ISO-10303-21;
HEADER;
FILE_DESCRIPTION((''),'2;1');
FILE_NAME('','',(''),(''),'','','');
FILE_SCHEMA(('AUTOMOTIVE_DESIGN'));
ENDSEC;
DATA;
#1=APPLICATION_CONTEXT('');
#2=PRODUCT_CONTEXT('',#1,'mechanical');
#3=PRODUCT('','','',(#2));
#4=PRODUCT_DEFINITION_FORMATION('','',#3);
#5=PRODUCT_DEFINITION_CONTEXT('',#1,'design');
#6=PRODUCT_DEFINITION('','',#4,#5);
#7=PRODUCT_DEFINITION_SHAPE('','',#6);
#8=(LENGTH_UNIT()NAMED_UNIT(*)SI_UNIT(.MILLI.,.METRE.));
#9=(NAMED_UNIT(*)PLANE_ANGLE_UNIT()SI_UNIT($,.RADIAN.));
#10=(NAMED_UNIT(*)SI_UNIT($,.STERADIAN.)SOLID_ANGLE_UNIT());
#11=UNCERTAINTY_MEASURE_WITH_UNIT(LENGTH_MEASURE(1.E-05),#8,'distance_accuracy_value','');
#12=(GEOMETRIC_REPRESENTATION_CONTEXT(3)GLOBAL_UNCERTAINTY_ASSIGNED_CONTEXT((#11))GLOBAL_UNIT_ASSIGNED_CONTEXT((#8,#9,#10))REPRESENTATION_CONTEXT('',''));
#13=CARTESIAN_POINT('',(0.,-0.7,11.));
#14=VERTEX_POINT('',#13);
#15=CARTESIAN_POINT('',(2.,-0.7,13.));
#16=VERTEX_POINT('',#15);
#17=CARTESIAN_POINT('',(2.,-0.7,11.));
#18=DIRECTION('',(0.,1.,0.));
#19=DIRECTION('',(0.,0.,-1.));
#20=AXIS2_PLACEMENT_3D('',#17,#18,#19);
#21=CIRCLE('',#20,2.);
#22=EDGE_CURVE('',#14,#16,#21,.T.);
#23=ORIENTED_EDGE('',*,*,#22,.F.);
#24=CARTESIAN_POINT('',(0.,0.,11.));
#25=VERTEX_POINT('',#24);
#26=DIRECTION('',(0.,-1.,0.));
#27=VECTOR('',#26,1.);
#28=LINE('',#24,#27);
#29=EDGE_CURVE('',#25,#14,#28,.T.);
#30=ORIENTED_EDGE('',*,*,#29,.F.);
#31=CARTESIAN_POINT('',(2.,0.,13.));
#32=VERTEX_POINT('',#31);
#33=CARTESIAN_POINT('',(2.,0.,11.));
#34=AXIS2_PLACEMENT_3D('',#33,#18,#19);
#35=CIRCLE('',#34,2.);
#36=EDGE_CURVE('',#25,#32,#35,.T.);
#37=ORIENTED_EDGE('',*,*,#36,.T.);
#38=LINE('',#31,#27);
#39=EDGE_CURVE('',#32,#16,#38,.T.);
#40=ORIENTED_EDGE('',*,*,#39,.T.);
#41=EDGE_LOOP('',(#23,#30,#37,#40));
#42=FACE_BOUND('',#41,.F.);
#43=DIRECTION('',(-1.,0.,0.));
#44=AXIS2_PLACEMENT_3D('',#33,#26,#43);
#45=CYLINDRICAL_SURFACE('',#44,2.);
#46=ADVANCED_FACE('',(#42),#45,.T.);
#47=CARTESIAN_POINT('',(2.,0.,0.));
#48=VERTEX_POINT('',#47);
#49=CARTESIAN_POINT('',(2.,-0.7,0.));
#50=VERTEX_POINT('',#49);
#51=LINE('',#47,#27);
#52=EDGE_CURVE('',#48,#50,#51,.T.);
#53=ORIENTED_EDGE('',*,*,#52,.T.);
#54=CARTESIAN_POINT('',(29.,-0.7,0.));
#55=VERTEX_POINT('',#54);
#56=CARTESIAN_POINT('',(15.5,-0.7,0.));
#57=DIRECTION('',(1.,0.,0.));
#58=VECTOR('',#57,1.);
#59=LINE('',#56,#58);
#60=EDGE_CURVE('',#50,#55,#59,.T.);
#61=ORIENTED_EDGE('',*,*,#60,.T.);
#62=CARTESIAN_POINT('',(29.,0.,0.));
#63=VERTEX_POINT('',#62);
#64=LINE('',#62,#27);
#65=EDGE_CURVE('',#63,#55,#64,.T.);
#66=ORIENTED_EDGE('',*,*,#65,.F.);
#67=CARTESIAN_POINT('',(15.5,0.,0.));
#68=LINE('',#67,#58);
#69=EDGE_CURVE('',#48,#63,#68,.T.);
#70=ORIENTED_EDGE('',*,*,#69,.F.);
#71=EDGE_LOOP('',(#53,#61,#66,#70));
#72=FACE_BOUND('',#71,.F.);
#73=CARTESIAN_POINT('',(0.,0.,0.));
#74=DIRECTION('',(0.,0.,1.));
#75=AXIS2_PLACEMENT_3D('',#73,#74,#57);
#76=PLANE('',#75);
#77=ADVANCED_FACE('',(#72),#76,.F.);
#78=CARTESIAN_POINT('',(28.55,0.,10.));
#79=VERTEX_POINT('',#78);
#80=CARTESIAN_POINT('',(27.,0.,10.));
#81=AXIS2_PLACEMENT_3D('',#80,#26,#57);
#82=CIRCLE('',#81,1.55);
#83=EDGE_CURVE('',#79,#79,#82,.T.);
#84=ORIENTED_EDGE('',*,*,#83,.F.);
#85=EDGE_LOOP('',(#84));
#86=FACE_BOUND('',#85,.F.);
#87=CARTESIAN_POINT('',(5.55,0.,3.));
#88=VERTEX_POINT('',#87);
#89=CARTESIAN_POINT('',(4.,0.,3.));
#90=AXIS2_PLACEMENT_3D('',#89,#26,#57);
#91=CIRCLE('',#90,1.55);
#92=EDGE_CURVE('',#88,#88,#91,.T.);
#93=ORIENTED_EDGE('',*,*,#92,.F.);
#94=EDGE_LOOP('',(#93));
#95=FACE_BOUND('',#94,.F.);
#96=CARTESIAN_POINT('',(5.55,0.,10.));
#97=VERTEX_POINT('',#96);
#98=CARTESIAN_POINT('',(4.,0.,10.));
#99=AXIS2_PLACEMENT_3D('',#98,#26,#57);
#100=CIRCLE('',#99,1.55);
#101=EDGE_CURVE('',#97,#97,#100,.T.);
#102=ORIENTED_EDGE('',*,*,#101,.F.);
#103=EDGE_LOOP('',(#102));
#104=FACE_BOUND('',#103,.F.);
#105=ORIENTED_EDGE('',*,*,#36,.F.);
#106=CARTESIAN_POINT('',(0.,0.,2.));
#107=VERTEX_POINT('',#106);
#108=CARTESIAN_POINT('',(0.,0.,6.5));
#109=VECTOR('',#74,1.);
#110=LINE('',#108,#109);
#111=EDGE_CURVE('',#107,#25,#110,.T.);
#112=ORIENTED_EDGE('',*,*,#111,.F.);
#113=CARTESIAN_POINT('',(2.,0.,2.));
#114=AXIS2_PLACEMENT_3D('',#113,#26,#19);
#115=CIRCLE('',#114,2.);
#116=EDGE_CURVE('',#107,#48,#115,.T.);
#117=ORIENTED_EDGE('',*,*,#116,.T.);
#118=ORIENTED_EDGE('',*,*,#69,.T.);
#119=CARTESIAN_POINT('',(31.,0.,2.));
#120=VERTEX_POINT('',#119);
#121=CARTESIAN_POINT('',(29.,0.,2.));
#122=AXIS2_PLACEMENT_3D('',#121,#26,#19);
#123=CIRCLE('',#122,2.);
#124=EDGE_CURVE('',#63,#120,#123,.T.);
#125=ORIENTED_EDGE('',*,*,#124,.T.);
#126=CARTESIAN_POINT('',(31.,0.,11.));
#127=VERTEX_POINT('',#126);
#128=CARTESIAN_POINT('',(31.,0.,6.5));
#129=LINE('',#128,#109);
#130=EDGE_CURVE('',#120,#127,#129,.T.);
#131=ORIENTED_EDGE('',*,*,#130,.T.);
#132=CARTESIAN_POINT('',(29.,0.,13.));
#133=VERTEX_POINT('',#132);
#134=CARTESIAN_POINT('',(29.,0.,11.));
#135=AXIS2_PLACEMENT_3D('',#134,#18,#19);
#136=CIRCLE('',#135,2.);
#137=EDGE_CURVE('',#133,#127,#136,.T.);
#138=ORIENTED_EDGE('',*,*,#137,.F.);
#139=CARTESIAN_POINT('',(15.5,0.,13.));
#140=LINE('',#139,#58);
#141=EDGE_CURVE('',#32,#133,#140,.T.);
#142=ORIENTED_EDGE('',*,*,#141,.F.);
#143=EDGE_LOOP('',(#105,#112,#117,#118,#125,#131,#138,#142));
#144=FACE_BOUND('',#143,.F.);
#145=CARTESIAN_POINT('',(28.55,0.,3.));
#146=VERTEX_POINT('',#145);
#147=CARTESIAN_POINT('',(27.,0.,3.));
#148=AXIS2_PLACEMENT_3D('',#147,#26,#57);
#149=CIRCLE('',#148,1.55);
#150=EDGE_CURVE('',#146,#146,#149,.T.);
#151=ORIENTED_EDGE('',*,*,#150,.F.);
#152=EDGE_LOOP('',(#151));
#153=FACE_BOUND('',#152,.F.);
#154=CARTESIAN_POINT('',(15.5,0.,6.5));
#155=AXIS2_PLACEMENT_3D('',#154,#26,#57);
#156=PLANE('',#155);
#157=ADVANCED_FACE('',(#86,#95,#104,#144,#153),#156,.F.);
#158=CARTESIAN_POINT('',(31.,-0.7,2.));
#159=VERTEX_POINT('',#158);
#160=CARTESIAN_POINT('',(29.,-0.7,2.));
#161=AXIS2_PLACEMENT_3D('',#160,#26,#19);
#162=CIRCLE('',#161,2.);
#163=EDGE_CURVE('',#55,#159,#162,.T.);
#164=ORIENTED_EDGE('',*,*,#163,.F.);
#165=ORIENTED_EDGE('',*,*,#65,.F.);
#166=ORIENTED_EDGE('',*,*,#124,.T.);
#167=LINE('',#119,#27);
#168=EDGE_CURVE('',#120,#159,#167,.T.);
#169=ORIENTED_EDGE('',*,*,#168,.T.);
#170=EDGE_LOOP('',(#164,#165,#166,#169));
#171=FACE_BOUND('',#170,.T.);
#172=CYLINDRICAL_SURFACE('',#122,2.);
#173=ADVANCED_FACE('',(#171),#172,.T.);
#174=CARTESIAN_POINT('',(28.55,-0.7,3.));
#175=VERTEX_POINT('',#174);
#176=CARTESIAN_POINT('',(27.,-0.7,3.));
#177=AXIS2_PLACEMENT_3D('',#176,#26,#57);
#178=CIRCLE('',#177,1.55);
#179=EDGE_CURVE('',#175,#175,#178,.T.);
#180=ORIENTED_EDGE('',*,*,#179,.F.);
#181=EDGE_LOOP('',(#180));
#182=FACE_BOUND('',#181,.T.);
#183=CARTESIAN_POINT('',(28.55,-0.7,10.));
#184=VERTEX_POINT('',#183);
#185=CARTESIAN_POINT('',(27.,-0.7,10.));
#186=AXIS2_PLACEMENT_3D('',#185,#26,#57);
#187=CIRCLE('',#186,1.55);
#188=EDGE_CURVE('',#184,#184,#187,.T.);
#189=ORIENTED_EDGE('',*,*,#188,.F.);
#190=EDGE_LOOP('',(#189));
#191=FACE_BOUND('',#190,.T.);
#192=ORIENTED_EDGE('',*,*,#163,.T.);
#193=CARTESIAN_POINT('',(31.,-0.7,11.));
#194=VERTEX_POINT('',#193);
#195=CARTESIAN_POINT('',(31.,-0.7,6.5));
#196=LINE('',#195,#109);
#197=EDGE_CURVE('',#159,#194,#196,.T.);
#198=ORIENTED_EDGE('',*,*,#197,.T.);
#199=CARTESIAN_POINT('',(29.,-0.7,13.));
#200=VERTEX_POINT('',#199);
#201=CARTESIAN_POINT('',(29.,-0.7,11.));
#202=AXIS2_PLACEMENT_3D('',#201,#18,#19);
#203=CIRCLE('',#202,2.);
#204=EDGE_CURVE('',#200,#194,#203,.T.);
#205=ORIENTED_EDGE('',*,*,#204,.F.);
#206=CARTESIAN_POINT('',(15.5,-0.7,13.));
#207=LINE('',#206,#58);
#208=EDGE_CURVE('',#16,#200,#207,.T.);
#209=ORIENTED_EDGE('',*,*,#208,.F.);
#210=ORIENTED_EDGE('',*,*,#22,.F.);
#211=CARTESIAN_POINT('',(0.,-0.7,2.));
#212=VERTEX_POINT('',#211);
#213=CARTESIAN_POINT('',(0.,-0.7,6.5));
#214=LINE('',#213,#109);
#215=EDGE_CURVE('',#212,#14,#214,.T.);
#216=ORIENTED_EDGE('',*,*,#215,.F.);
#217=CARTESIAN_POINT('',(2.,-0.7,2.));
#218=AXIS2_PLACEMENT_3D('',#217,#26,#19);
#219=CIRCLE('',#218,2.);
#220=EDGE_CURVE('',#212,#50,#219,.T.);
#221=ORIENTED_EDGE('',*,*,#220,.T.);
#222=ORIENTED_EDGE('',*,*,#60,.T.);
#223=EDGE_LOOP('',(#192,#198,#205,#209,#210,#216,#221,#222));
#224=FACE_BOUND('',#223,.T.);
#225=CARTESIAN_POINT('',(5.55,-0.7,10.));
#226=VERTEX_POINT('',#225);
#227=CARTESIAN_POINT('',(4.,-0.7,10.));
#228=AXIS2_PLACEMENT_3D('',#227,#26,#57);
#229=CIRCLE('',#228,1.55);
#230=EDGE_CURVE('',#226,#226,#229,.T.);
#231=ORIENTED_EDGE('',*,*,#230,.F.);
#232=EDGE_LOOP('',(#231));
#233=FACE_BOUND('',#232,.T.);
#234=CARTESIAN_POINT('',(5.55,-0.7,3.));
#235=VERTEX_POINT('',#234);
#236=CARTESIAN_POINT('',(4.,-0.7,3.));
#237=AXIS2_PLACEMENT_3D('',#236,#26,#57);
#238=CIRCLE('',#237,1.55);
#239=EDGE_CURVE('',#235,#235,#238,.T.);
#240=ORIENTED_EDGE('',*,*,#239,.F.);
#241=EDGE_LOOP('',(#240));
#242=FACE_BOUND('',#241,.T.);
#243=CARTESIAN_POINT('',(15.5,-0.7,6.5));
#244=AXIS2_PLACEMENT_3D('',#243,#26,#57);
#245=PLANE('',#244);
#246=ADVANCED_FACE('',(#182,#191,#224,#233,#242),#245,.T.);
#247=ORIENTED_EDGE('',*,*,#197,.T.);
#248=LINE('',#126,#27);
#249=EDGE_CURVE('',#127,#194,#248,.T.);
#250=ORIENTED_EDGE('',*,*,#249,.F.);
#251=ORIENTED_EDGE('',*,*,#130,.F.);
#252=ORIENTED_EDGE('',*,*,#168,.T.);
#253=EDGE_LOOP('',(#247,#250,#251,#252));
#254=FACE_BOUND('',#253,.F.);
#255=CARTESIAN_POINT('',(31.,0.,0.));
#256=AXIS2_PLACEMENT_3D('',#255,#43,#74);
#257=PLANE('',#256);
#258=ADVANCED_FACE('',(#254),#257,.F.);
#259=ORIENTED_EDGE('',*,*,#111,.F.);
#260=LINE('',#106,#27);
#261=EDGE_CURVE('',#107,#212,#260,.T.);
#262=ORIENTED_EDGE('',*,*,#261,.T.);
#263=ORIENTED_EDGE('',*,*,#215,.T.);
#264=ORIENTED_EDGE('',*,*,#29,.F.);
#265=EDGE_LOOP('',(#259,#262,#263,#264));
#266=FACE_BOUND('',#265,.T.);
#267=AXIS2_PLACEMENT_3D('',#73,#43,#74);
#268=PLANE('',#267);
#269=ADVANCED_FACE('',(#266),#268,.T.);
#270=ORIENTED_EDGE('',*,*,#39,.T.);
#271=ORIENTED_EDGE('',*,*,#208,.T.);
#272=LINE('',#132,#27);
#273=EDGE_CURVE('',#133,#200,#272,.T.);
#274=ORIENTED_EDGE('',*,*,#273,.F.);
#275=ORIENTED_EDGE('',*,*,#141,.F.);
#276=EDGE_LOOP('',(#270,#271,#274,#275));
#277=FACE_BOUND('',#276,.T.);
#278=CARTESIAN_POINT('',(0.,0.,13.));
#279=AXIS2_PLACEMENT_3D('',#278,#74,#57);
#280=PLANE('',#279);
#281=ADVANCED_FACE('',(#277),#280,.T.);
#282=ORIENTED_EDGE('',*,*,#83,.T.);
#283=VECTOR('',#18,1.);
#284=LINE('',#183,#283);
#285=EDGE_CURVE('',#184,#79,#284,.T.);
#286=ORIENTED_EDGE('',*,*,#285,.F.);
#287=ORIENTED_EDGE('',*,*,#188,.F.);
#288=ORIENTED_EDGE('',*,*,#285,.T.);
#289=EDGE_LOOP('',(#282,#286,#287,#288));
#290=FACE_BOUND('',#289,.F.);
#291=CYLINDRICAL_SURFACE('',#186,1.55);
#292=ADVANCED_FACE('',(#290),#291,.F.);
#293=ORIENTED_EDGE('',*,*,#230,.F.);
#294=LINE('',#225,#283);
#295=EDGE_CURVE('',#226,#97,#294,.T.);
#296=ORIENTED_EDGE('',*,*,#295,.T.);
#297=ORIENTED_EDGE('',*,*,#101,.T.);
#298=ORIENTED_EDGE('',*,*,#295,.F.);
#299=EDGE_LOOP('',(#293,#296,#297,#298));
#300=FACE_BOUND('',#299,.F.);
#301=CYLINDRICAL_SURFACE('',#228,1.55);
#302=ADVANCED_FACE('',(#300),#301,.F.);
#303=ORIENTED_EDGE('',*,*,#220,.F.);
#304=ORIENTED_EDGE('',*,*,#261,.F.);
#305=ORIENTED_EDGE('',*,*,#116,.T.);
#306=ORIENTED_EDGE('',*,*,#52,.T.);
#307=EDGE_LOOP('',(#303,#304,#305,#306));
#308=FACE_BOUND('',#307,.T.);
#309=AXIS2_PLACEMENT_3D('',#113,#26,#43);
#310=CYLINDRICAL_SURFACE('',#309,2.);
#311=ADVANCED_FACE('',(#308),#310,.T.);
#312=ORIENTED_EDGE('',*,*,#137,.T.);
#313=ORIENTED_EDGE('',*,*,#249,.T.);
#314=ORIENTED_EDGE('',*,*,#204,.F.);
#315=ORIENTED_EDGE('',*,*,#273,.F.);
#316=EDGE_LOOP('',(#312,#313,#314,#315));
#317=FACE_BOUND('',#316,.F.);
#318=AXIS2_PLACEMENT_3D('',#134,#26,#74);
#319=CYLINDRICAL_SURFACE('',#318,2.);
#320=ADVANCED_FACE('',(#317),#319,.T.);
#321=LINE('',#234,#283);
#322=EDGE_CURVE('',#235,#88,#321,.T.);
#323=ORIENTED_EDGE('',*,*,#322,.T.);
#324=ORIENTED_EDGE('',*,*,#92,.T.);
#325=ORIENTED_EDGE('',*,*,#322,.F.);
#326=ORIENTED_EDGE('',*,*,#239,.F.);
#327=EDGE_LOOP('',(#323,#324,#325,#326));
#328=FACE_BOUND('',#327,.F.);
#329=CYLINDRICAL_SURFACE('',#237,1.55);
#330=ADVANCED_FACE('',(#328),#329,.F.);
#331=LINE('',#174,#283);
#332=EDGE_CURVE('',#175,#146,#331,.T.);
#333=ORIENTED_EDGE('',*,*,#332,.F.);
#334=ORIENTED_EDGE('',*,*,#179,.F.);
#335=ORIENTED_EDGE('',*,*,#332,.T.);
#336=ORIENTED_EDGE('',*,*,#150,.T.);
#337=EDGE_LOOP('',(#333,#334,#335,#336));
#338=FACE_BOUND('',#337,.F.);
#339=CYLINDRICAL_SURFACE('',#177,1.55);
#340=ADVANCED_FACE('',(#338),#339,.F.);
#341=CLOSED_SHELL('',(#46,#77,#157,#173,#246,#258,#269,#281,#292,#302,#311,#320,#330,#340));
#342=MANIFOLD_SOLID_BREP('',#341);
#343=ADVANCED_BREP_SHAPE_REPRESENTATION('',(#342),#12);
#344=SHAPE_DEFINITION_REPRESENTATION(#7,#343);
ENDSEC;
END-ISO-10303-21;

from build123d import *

# Parameters (mm, degrees)
F0_W     = 31
F0_H     = 13
F1_DEPTH = 0.7
F2_R     = 1.55
F3_DEPTH = 25
F4_R     = 2


with BuildPart() as f1:
    # F0 (on Front) → F1 (new body)
    with BuildSketch(Plane.XZ):
        with Locations((15.5, 6.5)):
            Rectangle(F0_W, F0_H)
    extrude(amount=F1_DEPTH)

    # F2 (on face) → F3 (cut)
    with BuildSketch(Plane.XZ.offset(0.7)):
        with Locations((4, 10)):
            Circle(F2_R)
        with Locations((4, 3)):
            Circle(F2_R)
        with Locations((27, 10)):
            Circle(F2_R)
        with Locations((27, 3)):
            Circle(F2_R)
    extrude(amount=-F3_DEPTH, mode=Mode.SUBTRACT)

    # F4
    f4_edges = [f1.edges().sort_by_distance(p)[0] for p in [
        (31, -0.35, 13),
        (31, -0.35, 0),
        (0, -0.35, 0),
        (0, -0.35, 13),
    ]]
    fillet(f4_edges, radius=F4_R)


solid = f1.part
